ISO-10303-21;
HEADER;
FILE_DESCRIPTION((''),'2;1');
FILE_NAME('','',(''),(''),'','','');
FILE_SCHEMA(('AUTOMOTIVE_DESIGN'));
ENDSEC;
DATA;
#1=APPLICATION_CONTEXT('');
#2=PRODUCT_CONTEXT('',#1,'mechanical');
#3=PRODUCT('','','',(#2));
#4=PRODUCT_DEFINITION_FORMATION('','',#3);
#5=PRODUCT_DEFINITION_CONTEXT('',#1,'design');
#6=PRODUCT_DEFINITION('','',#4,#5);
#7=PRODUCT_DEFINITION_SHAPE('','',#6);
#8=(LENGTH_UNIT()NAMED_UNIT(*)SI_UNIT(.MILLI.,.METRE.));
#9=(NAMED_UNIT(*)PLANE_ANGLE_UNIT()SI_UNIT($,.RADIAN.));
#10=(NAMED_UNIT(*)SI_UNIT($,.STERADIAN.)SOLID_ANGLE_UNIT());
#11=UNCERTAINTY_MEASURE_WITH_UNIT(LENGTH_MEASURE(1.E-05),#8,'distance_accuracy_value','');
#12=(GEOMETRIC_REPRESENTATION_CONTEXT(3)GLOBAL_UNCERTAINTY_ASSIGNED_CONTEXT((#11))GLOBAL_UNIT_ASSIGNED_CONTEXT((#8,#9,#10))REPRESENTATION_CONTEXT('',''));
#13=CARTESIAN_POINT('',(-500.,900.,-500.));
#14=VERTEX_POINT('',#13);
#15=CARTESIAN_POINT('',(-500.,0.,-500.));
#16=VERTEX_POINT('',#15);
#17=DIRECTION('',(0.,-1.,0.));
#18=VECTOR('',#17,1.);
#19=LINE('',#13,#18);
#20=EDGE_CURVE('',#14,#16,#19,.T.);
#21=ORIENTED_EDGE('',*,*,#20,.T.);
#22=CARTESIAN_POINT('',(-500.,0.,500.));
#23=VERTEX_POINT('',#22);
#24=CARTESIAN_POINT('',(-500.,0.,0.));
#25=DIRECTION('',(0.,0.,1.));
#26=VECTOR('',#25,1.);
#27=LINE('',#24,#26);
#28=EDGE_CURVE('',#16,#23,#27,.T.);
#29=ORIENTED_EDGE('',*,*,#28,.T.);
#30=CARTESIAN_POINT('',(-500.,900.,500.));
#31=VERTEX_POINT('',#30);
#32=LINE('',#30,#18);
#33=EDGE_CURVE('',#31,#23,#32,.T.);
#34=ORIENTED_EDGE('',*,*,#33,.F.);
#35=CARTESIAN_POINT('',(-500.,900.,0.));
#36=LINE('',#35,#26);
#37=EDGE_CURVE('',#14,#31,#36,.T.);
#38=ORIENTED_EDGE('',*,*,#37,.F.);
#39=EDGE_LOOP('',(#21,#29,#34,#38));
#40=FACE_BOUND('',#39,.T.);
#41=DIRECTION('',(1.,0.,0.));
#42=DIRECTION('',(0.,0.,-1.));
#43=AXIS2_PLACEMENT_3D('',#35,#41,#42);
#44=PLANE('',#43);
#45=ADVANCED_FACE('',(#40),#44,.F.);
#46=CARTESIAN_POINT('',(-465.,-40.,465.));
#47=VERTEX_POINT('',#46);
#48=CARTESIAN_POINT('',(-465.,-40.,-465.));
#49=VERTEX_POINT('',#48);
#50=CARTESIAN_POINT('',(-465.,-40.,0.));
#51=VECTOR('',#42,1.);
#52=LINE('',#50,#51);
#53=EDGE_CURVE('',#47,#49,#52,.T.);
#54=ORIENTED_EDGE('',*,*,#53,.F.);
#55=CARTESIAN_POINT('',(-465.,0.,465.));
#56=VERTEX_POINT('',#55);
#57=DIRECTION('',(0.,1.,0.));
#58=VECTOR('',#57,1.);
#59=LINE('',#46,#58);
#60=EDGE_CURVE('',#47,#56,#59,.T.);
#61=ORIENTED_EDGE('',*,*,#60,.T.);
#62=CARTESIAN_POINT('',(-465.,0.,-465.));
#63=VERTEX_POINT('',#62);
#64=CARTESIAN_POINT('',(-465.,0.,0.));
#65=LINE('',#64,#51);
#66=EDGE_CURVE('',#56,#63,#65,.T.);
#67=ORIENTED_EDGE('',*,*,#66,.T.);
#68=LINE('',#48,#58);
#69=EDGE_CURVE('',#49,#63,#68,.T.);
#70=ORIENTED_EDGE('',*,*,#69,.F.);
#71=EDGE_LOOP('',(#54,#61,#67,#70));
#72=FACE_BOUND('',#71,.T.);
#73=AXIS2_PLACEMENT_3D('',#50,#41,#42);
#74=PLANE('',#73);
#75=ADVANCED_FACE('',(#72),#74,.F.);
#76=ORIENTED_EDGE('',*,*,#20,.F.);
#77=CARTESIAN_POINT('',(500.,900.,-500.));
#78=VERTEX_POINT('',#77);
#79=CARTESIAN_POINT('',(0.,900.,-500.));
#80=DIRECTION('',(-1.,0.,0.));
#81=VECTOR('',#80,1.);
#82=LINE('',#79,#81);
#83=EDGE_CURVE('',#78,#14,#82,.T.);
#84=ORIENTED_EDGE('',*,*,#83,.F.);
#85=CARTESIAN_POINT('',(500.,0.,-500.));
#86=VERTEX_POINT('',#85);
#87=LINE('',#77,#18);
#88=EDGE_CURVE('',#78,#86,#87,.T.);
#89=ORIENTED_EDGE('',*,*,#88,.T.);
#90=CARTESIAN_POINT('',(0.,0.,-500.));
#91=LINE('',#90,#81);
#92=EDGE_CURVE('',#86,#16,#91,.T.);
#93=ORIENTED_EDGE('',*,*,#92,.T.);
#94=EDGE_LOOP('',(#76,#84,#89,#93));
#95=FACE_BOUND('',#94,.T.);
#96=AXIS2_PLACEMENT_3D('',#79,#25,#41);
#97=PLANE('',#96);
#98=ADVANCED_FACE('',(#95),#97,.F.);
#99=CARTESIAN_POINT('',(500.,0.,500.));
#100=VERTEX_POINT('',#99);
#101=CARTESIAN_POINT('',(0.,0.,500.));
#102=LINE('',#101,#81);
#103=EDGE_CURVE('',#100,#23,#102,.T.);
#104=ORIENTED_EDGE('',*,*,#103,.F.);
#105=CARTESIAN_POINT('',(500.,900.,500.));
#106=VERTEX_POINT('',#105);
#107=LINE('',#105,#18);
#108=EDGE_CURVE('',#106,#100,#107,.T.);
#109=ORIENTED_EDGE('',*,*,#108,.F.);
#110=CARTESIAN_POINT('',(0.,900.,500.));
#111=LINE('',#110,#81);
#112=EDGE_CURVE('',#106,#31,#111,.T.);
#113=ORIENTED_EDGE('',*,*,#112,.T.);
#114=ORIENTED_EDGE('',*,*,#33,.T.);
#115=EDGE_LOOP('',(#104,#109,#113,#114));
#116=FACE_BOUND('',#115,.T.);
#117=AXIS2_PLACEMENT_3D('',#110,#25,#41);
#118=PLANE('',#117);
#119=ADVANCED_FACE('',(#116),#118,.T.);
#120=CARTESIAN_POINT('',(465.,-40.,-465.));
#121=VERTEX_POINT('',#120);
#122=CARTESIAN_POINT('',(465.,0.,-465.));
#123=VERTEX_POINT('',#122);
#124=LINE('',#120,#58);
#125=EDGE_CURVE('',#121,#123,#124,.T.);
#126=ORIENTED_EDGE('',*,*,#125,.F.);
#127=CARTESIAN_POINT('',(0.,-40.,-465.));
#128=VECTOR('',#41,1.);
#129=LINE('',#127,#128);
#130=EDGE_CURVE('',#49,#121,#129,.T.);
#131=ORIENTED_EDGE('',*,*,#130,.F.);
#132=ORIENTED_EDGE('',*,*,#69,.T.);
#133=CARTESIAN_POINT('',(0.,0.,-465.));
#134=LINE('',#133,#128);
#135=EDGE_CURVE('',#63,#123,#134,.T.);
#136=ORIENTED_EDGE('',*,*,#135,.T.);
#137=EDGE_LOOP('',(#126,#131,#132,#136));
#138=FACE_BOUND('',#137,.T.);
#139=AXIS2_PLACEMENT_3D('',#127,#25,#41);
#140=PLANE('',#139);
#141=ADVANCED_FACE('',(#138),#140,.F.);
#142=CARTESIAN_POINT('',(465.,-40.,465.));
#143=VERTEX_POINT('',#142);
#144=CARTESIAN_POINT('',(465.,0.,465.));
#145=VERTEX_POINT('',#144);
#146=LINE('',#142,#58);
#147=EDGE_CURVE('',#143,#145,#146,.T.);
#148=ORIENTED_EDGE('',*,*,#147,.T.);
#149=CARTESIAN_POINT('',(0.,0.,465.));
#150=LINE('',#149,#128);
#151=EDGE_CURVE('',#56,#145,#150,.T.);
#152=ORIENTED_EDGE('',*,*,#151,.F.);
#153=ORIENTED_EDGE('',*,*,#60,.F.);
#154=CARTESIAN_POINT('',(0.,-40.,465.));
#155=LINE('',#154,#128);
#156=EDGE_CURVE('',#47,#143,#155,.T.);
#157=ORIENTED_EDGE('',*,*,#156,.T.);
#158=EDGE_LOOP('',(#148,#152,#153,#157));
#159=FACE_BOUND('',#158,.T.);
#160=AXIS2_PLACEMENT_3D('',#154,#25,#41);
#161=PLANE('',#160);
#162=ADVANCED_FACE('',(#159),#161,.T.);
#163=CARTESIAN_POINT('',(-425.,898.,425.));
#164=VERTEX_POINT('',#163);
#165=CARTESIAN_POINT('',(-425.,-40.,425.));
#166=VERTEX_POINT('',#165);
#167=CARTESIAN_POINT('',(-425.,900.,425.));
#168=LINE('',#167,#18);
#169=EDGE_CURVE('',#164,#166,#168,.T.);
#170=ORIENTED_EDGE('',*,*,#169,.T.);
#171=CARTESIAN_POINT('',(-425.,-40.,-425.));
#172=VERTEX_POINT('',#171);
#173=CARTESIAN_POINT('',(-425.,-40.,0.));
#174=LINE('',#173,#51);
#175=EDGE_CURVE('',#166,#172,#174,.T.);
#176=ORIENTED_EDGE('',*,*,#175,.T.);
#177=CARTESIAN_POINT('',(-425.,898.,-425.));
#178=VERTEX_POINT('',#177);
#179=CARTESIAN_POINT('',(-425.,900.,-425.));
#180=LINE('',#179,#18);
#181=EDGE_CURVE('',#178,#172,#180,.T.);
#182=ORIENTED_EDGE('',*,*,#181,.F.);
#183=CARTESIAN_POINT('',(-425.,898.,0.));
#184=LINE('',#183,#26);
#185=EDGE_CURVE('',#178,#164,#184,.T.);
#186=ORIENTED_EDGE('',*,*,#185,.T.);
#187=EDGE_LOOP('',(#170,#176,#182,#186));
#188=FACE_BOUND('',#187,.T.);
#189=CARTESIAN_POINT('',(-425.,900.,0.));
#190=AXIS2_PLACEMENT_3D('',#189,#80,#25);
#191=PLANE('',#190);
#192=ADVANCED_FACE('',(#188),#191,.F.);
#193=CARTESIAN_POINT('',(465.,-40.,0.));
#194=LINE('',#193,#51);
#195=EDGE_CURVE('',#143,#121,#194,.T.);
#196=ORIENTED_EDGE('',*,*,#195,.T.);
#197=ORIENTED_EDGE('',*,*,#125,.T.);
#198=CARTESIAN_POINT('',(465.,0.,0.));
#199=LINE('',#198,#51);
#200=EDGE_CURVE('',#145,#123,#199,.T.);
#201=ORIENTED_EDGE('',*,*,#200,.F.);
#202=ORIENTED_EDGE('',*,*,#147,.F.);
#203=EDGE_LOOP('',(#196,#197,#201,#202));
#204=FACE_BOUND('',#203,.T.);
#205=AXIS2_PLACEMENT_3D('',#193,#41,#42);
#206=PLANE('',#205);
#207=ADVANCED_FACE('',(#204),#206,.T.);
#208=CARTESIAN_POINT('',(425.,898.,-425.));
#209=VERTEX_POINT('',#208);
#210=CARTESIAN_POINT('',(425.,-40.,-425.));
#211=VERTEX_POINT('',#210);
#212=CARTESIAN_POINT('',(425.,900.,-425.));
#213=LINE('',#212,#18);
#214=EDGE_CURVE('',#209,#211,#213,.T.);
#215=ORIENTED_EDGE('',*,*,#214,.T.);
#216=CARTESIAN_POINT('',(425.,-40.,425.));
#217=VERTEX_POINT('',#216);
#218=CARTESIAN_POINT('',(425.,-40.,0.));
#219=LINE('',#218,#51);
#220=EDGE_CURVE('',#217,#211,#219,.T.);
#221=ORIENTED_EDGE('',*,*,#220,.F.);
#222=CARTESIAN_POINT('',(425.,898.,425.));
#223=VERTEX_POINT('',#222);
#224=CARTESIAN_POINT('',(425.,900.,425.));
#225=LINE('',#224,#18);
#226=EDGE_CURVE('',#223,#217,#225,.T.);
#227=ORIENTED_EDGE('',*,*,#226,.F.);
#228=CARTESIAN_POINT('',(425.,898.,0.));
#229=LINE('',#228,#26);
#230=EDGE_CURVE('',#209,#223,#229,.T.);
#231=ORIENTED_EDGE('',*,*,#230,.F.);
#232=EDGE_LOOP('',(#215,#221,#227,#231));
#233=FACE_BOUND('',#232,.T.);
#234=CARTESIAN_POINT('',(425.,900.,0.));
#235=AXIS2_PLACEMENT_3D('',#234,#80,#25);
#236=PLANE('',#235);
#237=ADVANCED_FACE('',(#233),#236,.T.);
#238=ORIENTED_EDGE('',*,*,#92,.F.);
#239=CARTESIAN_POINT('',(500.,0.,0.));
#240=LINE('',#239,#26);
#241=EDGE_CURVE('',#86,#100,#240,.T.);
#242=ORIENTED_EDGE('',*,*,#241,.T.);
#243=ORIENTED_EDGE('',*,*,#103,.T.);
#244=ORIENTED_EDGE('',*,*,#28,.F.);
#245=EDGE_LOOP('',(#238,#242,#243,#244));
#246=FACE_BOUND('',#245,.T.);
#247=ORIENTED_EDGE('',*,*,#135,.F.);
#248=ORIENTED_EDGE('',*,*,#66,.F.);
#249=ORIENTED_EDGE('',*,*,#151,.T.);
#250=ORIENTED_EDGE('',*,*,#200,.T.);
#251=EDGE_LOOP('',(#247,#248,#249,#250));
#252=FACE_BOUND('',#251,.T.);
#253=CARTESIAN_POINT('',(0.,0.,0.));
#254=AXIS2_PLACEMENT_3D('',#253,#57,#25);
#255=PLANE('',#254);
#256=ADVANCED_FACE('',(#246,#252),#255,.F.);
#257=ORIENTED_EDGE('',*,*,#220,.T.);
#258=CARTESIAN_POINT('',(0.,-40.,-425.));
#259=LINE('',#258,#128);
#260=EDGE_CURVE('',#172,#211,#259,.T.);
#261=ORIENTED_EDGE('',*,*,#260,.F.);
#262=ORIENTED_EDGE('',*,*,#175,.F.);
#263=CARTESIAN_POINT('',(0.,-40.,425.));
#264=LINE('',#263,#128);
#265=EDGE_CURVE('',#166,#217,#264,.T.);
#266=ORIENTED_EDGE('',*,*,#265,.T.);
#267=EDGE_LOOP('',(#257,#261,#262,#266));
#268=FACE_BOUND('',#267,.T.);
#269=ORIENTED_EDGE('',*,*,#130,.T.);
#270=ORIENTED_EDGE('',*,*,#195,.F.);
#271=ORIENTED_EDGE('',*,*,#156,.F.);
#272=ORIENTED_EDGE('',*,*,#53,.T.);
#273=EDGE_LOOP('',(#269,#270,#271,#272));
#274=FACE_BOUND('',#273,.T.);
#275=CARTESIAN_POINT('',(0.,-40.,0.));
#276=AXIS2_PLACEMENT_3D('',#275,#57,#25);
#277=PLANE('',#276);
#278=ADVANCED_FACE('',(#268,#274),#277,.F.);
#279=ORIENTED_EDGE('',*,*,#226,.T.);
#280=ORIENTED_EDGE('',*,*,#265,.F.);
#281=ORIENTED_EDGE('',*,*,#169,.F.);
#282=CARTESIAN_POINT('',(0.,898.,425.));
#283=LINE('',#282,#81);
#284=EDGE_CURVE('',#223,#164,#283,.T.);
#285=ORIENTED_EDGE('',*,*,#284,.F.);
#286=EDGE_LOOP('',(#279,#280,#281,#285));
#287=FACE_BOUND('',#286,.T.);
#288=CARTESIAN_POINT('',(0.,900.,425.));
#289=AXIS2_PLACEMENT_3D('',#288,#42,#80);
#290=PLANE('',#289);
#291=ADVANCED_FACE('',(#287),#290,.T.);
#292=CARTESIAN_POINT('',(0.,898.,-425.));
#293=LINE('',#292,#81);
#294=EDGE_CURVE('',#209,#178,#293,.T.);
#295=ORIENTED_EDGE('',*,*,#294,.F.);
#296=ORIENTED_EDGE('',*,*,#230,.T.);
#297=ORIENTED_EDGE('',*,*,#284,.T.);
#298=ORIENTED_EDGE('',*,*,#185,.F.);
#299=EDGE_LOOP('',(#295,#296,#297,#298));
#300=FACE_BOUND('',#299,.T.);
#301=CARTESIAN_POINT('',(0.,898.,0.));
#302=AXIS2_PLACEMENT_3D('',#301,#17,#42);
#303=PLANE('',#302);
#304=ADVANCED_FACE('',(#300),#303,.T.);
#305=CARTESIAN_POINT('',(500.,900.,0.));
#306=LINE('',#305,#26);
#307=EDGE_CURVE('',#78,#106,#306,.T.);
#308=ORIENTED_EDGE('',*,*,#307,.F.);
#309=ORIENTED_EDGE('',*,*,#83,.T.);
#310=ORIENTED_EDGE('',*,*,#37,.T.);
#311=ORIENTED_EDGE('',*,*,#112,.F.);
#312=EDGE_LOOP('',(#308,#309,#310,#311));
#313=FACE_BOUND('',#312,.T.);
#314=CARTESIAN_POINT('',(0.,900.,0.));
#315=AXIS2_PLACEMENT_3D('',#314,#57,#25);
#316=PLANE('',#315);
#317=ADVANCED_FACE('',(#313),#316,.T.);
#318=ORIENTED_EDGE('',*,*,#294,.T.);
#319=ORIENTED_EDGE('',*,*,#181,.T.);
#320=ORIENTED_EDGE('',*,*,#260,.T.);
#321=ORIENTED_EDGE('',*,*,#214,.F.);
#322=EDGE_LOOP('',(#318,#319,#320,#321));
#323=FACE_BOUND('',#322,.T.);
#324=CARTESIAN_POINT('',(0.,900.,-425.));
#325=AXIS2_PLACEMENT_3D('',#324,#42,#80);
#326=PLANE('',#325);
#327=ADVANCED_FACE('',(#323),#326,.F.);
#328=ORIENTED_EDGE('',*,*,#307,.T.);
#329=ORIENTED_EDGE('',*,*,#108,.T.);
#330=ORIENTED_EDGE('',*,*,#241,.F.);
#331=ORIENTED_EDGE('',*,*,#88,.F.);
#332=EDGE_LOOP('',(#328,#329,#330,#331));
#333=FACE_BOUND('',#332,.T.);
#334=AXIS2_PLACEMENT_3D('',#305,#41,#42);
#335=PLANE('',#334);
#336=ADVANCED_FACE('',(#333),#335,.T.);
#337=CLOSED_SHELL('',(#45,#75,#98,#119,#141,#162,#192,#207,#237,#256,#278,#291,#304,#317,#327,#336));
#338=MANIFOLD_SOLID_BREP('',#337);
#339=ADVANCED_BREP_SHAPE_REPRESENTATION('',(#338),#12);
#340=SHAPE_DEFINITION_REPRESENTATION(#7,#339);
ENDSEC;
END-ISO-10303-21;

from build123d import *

# Parameters (mm, degrees)
SKETCH1_W           = 1000
SKETCH1_H           = 1000
SKETCH1_W_2         = 930
SKETCH1_H_2         = 930
SKETCH1_W_3         = 850
SKETCH1_H_3         = 850
BOSS_EXTRUDE2_DEPTH = 900
SKETCH1_4_W         = 930
SKETCH1_4_H         = 930
SKETCH1_4_W_2       = 850
SKETCH1_4_H_2       = 850
BOSS_EXTRUDE3_DEPTH = 40
BOSS_EXTRUDE4_START = 900
SKETCH1_5_W         = 850
SKETCH1_5_H         = 850
BOSS_EXTRUDE4_DEPTH = 2


with BuildPart() as part:
    # Sketch1 → Boss-Extrude2 (new body)
    # profile 1 of 2: a face of its own
    with BuildSketch(Plane(origin=(0, 0, 0), x_dir=(1, 0, 0), z_dir=(0, 1, 0))):
        Rectangle(SKETCH1_W, SKETCH1_H)
        Rectangle(SKETCH1_W_2, SKETCH1_H_2, mode=Mode.SUBTRACT)
    # profile 2 of 2: a face of its own
    with BuildSketch(Plane(origin=(0, 0, 0), x_dir=(1, 0, 0), z_dir=(0, 1, 0))):
        Rectangle(SKETCH1_W_2, SKETCH1_H_2)
        Rectangle(SKETCH1_W_3, SKETCH1_H_3, mode=Mode.SUBTRACT)
    extrude(amount=BOSS_EXTRUDE2_DEPTH)

    # Sketch1<4> → Boss-Extrude3 (add)
    with BuildSketch(Plane(origin=(0, 0, 0), x_dir=(1, 0, 0), z_dir=(0, 1, 0))):
        Rectangle(SKETCH1_4_W, SKETCH1_4_H)
        Rectangle(SKETCH1_4_W_2, SKETCH1_4_H_2, mode=Mode.SUBTRACT)
    extrude(amount=-BOSS_EXTRUDE3_DEPTH)

    # Sketch1<5> → Boss-Extrude4 (add)
    with BuildSketch(Plane(origin=(0, 0, 0), x_dir=(1, 0, 0), z_dir=(0, 1, 0)).offset(BOSS_EXTRUDE4_START)):
        Rectangle(SKETCH1_5_W, SKETCH1_5_H)
    extrude(amount=-BOSS_EXTRUDE4_DEPTH)


solid = part.part
